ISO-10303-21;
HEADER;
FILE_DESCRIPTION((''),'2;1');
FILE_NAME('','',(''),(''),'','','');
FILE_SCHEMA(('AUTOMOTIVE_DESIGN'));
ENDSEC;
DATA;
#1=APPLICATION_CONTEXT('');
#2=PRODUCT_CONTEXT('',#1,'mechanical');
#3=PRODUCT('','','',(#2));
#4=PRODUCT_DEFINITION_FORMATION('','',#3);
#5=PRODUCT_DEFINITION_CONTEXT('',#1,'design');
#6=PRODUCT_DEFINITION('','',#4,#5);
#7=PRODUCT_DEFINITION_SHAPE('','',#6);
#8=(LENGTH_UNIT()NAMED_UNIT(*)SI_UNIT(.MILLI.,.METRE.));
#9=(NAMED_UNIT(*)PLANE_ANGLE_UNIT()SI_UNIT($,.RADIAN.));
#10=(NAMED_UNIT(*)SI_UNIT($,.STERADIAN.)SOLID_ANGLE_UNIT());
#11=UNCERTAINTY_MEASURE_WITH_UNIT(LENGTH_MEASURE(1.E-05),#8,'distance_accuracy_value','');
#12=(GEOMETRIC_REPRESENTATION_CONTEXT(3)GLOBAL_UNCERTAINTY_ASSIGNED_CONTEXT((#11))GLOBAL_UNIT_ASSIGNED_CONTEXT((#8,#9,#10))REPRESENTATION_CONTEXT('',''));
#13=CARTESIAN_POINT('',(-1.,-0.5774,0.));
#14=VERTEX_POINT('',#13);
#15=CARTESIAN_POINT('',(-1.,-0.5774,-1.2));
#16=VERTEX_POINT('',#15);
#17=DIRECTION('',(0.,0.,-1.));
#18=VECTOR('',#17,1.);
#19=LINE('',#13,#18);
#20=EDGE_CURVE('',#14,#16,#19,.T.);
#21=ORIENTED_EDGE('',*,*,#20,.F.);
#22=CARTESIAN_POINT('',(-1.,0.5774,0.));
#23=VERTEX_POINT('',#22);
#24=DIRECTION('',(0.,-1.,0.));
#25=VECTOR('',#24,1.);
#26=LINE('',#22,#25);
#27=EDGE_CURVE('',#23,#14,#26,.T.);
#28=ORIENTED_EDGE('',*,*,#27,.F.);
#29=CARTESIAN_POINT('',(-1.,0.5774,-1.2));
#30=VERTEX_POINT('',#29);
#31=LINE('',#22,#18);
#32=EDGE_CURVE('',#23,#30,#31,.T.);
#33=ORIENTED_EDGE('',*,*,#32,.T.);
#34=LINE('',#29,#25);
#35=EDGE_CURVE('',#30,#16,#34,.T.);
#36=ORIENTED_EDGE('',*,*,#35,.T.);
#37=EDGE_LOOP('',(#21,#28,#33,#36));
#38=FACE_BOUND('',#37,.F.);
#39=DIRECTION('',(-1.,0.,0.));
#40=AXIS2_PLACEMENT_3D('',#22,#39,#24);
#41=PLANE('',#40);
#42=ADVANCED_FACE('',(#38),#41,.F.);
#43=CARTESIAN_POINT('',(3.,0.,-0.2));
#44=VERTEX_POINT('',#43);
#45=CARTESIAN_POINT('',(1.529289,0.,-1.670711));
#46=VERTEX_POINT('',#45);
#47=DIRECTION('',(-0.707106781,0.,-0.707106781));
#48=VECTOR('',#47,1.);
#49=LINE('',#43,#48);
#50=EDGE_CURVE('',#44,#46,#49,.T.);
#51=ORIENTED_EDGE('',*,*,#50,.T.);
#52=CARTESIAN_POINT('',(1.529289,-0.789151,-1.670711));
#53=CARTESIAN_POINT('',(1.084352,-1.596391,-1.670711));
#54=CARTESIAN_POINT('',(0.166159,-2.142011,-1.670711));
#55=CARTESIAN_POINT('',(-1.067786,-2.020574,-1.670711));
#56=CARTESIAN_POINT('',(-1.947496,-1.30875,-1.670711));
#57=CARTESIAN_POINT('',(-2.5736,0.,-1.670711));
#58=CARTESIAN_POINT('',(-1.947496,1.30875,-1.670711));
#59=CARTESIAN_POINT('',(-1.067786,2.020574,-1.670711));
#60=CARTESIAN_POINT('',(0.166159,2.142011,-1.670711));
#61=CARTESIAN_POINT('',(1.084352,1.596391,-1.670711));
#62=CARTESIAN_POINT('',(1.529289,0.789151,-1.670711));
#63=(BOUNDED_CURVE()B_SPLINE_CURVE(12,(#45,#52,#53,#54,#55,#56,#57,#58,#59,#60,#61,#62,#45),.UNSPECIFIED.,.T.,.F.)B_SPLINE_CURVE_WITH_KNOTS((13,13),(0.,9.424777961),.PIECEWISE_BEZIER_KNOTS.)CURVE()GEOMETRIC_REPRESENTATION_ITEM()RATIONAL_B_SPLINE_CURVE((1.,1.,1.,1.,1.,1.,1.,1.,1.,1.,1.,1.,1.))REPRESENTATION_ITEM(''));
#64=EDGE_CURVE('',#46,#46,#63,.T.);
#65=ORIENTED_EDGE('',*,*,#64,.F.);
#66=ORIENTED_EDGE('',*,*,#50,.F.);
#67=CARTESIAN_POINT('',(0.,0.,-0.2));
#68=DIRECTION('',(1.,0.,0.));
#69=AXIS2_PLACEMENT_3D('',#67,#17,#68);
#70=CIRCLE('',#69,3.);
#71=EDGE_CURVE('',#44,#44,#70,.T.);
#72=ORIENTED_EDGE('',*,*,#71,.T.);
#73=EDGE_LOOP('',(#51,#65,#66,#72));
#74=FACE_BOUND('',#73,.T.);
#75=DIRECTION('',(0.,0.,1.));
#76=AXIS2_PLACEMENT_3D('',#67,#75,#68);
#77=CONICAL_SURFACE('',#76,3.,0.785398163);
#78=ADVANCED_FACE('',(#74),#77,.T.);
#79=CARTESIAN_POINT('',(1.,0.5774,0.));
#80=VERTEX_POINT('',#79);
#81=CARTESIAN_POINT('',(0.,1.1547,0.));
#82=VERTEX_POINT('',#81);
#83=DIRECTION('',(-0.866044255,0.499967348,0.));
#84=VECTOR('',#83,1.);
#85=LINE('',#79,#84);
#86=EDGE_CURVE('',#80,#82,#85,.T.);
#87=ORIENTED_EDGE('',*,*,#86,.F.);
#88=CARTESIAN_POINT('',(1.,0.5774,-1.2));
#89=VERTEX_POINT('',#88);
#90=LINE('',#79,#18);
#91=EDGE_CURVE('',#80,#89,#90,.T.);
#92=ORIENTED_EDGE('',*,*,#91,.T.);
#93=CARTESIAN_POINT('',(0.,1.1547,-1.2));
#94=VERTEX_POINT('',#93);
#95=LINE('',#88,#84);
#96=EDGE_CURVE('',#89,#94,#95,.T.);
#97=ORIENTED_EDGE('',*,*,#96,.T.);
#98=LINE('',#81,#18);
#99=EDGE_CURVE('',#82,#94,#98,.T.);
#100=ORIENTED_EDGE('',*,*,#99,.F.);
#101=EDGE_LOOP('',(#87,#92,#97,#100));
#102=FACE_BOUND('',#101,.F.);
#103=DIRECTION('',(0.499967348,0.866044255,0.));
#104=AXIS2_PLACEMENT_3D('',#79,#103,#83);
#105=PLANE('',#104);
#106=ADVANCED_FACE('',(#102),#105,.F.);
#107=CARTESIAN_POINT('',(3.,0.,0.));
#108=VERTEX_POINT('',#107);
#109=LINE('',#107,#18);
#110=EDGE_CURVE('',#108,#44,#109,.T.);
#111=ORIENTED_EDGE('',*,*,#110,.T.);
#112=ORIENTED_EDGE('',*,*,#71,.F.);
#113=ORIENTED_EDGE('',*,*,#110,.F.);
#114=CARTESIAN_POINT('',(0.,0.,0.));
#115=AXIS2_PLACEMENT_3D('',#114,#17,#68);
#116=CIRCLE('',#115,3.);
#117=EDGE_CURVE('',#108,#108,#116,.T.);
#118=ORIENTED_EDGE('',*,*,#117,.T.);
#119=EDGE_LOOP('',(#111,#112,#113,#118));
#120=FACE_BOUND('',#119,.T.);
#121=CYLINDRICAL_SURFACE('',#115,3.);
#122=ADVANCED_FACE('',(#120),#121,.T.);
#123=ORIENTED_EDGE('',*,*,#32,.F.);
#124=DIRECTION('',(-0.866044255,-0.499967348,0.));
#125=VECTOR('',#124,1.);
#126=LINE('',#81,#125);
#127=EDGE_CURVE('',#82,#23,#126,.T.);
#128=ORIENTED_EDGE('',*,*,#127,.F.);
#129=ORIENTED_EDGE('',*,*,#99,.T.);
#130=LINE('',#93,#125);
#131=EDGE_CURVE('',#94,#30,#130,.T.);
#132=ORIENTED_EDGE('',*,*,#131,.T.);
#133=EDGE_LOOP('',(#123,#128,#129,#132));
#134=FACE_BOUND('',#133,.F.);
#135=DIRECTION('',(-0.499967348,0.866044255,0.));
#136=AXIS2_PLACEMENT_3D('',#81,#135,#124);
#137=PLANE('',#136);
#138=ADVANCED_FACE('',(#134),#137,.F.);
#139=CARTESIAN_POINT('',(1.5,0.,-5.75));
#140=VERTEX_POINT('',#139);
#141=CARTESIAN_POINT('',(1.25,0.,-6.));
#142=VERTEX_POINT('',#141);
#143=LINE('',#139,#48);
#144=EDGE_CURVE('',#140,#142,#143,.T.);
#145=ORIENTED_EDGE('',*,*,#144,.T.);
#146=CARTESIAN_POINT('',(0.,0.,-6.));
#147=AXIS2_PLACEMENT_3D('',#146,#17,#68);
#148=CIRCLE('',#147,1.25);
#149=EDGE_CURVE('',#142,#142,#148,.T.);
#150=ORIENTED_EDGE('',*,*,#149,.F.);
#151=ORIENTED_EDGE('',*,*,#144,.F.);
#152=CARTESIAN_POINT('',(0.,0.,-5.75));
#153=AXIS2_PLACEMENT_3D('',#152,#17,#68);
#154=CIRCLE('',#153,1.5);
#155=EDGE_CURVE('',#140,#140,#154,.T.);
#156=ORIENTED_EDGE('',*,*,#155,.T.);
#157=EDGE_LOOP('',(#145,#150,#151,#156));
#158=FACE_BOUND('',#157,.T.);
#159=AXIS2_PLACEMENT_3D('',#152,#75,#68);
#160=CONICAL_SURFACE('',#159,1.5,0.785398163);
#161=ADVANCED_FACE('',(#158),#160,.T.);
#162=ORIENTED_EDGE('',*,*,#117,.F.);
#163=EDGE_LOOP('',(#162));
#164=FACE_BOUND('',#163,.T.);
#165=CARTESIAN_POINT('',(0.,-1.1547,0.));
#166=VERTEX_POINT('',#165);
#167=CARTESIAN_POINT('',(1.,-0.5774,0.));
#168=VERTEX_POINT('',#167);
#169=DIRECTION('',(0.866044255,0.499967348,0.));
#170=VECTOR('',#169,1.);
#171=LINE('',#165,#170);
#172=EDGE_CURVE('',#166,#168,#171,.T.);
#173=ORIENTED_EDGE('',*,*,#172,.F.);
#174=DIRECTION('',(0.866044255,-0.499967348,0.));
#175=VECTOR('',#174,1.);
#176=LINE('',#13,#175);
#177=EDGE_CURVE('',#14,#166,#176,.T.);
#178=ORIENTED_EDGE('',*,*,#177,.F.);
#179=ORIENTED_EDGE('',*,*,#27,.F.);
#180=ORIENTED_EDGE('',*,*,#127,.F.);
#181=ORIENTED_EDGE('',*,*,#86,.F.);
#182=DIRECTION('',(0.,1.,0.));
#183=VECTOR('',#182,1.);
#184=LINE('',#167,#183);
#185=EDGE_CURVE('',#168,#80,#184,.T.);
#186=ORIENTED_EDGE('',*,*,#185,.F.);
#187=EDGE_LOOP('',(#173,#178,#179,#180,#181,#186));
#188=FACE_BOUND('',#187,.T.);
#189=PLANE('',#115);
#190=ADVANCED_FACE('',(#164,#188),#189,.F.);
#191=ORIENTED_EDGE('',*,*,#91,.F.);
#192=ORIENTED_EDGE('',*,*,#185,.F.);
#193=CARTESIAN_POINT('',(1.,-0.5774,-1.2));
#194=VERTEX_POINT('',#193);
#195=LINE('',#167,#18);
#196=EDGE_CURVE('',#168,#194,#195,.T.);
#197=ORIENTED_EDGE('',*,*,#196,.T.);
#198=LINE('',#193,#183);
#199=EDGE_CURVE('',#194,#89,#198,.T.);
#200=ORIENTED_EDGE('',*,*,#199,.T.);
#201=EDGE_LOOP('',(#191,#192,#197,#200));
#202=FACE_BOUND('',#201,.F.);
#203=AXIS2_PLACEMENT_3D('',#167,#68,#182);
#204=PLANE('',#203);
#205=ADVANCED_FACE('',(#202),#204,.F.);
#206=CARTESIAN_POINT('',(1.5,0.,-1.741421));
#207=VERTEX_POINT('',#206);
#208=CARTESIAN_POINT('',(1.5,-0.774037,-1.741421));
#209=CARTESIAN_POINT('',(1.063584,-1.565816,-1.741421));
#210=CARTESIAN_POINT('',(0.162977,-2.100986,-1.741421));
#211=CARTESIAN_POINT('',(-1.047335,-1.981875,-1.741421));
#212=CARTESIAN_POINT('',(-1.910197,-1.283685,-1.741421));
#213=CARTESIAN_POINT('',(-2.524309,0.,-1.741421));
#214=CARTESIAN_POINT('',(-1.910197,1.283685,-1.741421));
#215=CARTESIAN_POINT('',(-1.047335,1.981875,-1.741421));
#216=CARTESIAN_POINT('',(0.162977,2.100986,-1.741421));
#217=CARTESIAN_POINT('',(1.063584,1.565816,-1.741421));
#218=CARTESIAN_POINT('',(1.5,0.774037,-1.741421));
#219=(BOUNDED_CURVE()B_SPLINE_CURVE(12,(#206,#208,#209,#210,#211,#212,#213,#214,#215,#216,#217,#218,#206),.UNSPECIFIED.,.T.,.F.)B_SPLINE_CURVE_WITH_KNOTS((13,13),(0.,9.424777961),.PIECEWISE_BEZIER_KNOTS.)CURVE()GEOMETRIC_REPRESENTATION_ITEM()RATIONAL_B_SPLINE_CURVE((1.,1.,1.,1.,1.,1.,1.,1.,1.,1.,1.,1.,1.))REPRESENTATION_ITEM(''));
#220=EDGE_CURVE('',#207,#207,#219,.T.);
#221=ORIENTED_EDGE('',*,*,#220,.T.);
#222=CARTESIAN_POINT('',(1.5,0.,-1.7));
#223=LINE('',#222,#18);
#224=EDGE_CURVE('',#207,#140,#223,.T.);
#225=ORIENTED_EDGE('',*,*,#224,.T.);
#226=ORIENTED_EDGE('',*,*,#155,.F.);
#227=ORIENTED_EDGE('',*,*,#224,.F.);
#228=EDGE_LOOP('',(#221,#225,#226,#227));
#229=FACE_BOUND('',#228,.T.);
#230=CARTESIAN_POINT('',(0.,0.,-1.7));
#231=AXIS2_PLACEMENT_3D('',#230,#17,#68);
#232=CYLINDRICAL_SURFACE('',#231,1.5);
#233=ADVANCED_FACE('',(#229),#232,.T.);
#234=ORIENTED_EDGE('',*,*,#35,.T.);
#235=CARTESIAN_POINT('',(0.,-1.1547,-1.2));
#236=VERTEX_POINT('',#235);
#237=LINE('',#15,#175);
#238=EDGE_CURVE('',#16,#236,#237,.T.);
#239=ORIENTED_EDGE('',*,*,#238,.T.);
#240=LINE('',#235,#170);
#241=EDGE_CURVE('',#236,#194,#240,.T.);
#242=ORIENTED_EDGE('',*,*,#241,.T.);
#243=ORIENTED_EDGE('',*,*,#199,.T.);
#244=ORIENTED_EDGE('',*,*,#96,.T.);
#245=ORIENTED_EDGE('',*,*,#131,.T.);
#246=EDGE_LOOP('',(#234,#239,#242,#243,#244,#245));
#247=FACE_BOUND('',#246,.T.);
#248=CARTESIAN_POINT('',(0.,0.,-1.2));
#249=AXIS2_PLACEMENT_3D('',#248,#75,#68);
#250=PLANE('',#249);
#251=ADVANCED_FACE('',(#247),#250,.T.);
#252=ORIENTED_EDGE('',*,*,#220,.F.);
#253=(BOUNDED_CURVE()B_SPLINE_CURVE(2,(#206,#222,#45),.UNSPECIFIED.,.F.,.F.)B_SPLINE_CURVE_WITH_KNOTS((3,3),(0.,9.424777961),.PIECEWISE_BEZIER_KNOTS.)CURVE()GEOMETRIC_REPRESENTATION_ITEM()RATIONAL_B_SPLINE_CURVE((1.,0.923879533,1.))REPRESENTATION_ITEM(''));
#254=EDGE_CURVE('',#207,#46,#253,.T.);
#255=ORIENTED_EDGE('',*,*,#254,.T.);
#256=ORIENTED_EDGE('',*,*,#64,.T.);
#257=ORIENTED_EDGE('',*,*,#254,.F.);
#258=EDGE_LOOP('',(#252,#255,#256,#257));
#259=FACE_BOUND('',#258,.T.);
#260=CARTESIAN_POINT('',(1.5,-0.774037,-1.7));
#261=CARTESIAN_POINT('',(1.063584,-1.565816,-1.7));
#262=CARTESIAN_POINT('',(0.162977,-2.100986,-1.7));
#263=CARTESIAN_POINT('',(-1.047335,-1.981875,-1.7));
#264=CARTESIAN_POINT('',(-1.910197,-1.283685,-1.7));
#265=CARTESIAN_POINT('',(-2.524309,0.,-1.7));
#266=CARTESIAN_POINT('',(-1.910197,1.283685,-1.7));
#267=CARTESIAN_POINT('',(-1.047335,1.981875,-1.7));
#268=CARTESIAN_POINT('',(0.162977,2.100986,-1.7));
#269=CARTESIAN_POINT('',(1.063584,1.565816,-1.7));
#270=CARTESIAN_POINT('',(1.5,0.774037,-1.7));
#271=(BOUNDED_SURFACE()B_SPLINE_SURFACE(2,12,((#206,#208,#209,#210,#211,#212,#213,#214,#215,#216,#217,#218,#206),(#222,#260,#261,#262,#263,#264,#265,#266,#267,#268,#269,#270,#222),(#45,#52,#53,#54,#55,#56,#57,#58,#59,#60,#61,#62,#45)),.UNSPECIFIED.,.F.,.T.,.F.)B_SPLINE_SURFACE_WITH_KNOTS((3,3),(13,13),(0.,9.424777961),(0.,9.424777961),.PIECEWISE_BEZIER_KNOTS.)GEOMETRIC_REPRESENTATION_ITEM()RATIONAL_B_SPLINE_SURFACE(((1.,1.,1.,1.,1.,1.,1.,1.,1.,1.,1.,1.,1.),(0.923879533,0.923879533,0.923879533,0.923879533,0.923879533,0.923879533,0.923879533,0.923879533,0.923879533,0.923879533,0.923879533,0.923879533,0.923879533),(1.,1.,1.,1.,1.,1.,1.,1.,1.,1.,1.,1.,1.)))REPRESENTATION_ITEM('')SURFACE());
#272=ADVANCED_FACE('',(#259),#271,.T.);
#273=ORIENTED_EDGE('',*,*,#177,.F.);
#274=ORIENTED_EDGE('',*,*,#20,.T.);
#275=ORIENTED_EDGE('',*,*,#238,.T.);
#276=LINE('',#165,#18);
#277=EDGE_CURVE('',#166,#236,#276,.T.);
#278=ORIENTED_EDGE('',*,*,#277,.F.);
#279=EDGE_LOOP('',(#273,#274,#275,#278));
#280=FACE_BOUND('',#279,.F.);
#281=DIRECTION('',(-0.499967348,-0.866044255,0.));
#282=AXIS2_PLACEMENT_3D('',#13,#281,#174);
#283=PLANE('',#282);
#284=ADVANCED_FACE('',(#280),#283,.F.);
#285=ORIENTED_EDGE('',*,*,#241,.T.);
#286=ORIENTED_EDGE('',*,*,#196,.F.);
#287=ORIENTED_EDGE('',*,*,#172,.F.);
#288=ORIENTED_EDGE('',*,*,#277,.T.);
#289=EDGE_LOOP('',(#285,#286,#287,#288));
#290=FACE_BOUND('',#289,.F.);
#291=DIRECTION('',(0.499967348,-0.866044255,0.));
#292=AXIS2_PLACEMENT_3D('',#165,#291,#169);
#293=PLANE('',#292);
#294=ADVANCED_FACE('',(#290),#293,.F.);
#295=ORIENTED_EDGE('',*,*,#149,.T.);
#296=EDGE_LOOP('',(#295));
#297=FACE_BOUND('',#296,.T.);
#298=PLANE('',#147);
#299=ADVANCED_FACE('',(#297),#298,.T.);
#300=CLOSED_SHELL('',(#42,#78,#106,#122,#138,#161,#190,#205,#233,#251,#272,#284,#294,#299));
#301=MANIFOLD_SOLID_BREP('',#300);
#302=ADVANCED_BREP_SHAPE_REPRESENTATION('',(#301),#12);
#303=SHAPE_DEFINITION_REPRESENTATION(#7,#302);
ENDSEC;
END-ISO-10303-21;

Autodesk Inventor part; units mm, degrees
ref_plane "YZ Plane" through (0, 0, 0) normal (1, 0, 0) x (0, 1, 0)
sketch "Sketch1" plane through (0, 0, 0) normal (0, 1, 0) x (-1, 0, 0)
  point P0 (0, 0)
sketch "Sketch2" plane through (0, 0, 0) normal (0, 1, 0) x (-1, 0, 0)
  line L0 (-1.5, -6) -> (0, -6)
  line L1 (-1.5, -1.7) -> (-1.5, -6)
  line L2 (-3, -0.2) -> (-1.5, -1.7)
  line L3 (-3, 0) -> (-3, -0.2)
  line L4 (0, 0) -> (-3, 0)
  line L5 (0, -6) -> (0, 0)
  line L6 (0, -6) -> (0, 0)
  line L7 (0, -9.6) -> (0, 1.6) projected
  line L8 (0.6, 0) -> (-3.6, 0) projected
  dimension "d3" = 3
  dimension "d5" = 1.5
  dimension "d7" = 6
  dimension "ParC" = 0.2
  dimension "d22" = 0
  dimension "d23" = 0
  dimension "d43" = 45
revolve "Revolution1" add sketch "Sketch2" angle 360 about axis through (0, 0, -6) along (0, 0, -1)
sketch "Sketch3" plane through (0, 0, 0) normal (0, 0, 1) x (1, 0, 0)
  line L0 (-1, 0.5774) -> (-1, -0.5774)
  line L1 (0, 1.1547) -> (-1, 0.5774)
  line L2 (1, 0.5774) -> (0, 1.1547)
  line L3 (1, -0.5774) -> (1, 0.5774)
  line L4 (0, -1.1547) -> (1, -0.5774)
  line L5 (-1, -0.5774) -> (0, -1.1547)
  circle A0 centre (0, 0) radius 1 construction
  circle A1 centre (0, 0) radius 1.5 construction
  dimension "d11" = 2
  dimension "d13" = 120
  dimension "d15" = 120
extrude "Extrusion1" cut sketch "Sketch3" against normal blind 1.2
fillet "Fillet1" radius 0.1 1 edges at (-1.5, 0, -1.7)
chamfer "Chamfer1" distance 0.25 angle 45 1 edges at (-1.5, 0, -6) measured on face at (1.4041, 0.5277, -4.5805)
thread "Thread1" size "M3x0.5" class "6g" standard "ISO Metric profile" length 5.3
ref_plane "MSC_PF1" through (0, 0, 0) normal (1, 0, 0) x (0, 1, 0)
ref_plane "MSC_PT1" through (0, 0, 0) normal (0, 0, -1) x (-1, 0, 0)
equation "\"d18\" = r"
equation "\"d19\" = 0.5 * PTC"
equation "\"d39\" = 0.5 * PTC"
equation "\"d3\" = 0.5 * dk"
equation "\"d5\" = 0.5 * NND"
equation "\"d7\" = NLG"
equation "\"d43\" = 0.5 * ang"
equation "\"d11\" = ParS"
equation "\"d16\" = ParT"
equation "\"NND\" = 3"
equation "\"PTC\" = 0.5"
equation "\"dk\" = 6"
equation "\"ParK\" = 1.7"
equation "\"ParS\" = 2"
equation "\"ParT\" = 1.2"
equation "\"r\" = 0.1"
equation "\"NLG\" = 6"
equation "\"ang\" = 90deg"
equation "\"THREADDIA\" = NND"
properties part number "ISO 10642 - M3x6" material "Steel, Mild"
